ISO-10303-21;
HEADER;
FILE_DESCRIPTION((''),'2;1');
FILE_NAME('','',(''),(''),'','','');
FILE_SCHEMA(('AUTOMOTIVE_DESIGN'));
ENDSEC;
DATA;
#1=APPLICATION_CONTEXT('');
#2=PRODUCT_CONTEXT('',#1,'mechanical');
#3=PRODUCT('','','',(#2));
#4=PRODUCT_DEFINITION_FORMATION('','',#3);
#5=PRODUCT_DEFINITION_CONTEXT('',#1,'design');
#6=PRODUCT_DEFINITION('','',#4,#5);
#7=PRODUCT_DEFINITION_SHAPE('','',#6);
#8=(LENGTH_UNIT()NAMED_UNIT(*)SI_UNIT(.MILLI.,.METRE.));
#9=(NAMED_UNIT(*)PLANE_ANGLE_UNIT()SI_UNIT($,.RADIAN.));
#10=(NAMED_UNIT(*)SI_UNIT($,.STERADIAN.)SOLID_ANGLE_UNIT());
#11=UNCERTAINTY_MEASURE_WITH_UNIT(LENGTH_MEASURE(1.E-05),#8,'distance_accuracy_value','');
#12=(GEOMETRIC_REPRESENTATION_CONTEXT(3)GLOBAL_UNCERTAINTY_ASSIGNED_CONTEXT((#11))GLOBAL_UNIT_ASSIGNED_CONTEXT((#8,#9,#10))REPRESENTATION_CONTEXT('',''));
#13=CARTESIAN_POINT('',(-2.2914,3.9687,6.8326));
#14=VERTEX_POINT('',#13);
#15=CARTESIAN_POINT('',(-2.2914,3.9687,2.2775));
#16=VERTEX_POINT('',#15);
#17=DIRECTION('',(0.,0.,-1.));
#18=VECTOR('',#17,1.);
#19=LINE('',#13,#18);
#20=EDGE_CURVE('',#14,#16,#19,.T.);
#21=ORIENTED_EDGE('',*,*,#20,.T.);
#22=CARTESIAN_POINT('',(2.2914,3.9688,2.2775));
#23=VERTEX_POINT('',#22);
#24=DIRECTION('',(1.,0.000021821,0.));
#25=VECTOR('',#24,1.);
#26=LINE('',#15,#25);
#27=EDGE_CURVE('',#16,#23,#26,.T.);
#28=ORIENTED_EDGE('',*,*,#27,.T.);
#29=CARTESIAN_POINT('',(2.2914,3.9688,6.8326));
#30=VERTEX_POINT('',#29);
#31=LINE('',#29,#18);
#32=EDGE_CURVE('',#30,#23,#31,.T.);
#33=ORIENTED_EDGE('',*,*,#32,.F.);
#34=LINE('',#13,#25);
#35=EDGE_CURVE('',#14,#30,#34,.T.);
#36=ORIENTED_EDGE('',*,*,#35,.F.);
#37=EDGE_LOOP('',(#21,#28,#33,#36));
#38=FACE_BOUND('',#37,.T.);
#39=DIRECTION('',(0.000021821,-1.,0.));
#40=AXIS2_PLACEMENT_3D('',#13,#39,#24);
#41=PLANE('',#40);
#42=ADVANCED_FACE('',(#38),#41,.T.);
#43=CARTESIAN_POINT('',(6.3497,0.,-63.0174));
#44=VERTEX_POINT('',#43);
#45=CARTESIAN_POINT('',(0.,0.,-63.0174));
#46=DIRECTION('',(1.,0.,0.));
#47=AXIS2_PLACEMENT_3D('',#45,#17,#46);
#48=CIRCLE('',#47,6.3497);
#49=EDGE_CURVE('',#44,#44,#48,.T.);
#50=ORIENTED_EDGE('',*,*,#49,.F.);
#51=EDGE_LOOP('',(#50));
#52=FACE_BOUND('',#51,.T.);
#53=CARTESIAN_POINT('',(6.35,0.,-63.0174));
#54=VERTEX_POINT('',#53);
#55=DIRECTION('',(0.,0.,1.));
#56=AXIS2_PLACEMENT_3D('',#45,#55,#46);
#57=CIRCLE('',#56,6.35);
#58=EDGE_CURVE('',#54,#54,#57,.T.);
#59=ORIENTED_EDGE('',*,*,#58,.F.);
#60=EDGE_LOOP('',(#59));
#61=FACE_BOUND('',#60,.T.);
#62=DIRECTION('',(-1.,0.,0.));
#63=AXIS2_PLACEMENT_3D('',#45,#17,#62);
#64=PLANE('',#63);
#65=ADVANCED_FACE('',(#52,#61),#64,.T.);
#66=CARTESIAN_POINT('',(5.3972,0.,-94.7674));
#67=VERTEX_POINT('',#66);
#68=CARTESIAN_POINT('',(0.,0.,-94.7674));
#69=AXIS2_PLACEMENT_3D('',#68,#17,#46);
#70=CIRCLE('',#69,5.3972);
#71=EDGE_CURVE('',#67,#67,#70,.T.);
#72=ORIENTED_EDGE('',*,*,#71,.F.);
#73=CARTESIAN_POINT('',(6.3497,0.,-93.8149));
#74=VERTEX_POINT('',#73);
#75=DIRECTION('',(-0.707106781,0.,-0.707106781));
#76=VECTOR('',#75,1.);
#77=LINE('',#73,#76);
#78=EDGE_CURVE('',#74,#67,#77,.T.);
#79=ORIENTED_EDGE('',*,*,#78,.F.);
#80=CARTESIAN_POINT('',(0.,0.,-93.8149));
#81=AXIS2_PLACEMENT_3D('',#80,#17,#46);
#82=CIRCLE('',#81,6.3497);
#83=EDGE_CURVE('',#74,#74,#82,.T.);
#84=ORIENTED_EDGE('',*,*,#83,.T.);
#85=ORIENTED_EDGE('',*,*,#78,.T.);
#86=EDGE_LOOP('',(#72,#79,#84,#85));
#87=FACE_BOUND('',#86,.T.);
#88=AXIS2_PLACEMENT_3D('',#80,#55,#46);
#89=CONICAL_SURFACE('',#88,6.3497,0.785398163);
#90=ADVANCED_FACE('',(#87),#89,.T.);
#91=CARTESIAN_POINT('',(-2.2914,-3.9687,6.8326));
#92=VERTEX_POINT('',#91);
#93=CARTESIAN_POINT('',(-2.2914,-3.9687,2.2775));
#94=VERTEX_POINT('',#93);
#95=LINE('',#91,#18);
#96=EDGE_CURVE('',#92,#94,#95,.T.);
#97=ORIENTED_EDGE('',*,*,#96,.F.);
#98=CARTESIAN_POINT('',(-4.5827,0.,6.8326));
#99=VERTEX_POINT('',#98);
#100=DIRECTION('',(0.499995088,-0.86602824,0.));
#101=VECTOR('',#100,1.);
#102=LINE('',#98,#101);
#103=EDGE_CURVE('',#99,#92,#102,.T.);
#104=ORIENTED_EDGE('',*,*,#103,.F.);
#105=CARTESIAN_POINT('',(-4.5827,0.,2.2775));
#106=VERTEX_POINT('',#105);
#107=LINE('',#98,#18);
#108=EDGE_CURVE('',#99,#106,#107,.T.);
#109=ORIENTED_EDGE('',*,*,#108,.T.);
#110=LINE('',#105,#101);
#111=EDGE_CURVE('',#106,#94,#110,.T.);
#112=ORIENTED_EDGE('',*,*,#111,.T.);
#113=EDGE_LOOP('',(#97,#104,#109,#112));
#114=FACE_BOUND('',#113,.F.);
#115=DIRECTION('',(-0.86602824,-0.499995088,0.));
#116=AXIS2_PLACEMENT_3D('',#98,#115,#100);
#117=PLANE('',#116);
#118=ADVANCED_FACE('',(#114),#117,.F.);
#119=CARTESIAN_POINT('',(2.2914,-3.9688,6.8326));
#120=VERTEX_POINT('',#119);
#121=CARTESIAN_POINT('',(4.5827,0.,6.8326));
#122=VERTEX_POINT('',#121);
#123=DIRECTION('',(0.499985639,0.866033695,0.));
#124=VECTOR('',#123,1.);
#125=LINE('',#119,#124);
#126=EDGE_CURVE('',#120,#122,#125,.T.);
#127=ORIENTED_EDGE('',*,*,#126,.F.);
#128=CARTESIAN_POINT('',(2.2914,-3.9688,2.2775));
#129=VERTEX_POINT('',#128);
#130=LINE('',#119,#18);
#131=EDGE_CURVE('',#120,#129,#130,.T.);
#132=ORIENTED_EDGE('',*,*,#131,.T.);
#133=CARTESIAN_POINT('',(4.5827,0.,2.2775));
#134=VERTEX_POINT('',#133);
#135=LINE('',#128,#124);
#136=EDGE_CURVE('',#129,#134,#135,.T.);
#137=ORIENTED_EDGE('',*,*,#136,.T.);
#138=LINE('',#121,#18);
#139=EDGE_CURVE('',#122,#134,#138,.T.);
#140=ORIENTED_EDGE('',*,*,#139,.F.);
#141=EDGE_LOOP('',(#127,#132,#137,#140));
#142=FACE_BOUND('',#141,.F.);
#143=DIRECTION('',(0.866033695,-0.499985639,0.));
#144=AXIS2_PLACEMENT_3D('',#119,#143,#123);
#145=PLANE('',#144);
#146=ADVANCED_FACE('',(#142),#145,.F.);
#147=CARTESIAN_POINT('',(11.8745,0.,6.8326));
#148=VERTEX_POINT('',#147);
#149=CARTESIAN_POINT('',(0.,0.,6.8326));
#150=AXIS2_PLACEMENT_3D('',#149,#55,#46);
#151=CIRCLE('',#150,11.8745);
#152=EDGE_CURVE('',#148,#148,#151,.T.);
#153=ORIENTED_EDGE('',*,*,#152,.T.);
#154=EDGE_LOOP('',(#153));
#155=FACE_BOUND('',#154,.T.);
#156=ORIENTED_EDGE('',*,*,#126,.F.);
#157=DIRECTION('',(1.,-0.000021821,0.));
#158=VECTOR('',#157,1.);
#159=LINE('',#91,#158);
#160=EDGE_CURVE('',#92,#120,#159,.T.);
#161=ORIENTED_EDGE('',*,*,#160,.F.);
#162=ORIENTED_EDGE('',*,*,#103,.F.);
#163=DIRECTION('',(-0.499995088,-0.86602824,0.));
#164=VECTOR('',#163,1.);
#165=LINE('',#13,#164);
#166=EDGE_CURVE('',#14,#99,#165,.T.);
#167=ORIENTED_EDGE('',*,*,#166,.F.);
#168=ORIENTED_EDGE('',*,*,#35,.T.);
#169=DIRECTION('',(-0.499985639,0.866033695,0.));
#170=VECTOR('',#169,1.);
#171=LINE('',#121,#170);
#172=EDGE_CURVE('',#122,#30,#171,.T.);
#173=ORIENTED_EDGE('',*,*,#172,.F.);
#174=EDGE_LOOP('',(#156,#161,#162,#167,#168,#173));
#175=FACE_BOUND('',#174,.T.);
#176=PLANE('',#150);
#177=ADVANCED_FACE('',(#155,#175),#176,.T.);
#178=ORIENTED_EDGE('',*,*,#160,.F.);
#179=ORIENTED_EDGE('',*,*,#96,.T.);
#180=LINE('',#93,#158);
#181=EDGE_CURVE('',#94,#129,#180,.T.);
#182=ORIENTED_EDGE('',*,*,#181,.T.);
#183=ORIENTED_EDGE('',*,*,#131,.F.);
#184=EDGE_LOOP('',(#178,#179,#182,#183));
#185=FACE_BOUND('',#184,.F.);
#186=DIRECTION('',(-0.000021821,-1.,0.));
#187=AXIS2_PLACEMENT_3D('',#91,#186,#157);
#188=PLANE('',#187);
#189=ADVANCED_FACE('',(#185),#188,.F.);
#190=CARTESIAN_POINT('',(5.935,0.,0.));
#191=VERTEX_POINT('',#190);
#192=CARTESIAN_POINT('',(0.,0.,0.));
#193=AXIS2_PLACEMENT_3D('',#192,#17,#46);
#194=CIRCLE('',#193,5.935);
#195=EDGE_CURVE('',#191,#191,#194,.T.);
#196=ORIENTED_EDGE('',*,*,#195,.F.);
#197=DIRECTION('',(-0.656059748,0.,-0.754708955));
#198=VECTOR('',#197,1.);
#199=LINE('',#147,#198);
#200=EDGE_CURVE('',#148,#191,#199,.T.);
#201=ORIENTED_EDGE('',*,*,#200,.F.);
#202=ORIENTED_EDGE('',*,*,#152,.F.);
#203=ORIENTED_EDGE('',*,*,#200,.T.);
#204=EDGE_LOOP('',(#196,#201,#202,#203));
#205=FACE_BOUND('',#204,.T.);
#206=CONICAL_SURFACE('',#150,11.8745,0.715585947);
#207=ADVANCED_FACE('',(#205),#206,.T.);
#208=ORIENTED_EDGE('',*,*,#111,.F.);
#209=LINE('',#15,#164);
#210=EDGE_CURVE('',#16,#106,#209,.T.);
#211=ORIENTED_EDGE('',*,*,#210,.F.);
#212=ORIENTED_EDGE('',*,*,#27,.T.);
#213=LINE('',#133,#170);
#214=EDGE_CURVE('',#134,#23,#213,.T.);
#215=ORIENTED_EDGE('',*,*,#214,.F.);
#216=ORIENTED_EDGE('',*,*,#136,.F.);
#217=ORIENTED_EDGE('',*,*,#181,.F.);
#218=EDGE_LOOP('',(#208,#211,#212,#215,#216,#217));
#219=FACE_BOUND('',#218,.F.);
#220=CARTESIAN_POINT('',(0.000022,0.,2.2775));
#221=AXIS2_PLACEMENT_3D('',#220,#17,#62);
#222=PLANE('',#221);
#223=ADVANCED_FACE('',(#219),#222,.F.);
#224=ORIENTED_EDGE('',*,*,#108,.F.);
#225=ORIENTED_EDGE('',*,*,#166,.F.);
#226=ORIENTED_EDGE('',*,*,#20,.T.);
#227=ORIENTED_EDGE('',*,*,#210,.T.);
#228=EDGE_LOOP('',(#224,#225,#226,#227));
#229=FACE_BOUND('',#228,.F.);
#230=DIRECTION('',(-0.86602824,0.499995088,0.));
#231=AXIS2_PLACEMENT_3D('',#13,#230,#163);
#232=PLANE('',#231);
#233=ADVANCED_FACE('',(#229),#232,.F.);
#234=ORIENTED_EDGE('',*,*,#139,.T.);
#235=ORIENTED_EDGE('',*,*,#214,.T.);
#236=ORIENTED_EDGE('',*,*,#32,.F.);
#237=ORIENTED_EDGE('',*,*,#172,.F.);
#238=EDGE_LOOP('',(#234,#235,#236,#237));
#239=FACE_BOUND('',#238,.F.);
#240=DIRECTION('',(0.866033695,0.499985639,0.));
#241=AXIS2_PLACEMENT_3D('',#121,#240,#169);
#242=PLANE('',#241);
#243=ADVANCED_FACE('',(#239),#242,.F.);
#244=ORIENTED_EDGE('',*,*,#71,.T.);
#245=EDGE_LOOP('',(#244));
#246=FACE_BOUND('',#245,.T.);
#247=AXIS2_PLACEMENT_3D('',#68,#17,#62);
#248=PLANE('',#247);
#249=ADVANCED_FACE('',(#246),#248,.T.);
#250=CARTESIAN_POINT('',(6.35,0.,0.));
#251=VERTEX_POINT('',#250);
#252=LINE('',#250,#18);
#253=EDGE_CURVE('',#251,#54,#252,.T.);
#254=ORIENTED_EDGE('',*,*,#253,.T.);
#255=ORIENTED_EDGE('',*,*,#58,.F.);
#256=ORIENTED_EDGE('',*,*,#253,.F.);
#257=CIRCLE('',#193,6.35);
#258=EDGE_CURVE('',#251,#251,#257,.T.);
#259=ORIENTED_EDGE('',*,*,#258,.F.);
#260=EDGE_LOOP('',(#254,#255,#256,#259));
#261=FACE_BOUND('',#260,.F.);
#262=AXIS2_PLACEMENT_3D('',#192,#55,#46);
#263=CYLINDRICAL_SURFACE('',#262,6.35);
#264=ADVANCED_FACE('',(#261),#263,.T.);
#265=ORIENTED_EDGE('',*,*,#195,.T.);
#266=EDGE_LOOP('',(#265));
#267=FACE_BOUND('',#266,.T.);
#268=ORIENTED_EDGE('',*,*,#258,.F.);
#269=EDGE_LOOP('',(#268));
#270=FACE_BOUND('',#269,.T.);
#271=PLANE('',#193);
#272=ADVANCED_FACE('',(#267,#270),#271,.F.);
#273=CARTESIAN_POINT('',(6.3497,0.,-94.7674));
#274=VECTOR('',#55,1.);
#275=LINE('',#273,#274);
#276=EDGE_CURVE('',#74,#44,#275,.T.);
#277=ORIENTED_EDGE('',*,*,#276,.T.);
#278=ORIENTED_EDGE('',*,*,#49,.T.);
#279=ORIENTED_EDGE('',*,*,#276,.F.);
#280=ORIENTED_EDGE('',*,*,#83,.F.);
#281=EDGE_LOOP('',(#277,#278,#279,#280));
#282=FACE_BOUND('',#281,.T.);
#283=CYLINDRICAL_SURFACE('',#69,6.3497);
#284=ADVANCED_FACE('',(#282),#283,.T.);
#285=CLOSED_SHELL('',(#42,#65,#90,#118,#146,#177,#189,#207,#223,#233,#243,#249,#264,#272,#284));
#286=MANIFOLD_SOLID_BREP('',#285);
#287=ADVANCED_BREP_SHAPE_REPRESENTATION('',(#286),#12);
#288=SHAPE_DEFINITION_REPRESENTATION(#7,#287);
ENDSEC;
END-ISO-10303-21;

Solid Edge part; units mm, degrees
sketch "Sketch1" plane through (0, 0, 0) normal (0, 0, 1) x (1, 0, 0)
  circle A0 centre (0, 0) radius 11.8745
  dimension "D1" = 23.749
extrude "Protrusion1" add sketch "Sketch1" along normal blind 6.8326
sketch "Sketch2" plane through (0, 0, 0) normal (0, 0, -1) x (1, 0, 0)
  circle A0 centre (0, 0) radius 6.35
extrude "Protrusion2" add sketch "Sketch2" along normal blind 94.7674
sketch "Sketch3" plane through (0, 0, -94.7674) normal (0, 0, -1) x (1, 0, 0)
  circle A0 centre (0, 0) radius 6.3497
extrude "Cutout1" cut sketch "Sketch3" against normal blind 31.75 flip side to cut
chamfer "Chamfer_1" distance 0.9525 angle 45 1 edges at (-6.3497, 0, -94.7674)
sketch "Sketch4" plane through (0, 0, 6.8326) normal (0, 0, 1) x (1, 0, 0)
  line L0 (-2.2914, 3.9687) -> (2.2914, 3.9688)
  line L1 (4.5827, 0) -> (2.2914, 3.9688)
  line L2 (2.2914, -3.9688) -> (4.5827, 0)
  line L3 (-2.2914, -3.9687) -> (2.2914, -3.9688)
  line L4 (-4.5827, 0) -> (-2.2914, -3.9688)
  line L5 (-2.2914, 3.9688) -> (-4.5827, 0)
  dimension "D1" = 7.9375
extrude "Cutout2" cut sketch "Sketch4" against normal blind 4.5551
sketch "Sketch5" plane through (0, 0, 0) normal (0, -1, 0) x (1, 0, 0)
  line L0 (11.8745, 6.8326) -> (5.935, 0)
  line L1 (5.935, 0) -> (11.8745, 0)
  line L2 (11.8745, 0) -> (11.8745, 6.8326)
revolve "RevolvedCutout1" cut sketch "Sketch5" angle 360 about axis through (0, 0, 14.0017) along (0, 0, -1)
properties part number "117061"
